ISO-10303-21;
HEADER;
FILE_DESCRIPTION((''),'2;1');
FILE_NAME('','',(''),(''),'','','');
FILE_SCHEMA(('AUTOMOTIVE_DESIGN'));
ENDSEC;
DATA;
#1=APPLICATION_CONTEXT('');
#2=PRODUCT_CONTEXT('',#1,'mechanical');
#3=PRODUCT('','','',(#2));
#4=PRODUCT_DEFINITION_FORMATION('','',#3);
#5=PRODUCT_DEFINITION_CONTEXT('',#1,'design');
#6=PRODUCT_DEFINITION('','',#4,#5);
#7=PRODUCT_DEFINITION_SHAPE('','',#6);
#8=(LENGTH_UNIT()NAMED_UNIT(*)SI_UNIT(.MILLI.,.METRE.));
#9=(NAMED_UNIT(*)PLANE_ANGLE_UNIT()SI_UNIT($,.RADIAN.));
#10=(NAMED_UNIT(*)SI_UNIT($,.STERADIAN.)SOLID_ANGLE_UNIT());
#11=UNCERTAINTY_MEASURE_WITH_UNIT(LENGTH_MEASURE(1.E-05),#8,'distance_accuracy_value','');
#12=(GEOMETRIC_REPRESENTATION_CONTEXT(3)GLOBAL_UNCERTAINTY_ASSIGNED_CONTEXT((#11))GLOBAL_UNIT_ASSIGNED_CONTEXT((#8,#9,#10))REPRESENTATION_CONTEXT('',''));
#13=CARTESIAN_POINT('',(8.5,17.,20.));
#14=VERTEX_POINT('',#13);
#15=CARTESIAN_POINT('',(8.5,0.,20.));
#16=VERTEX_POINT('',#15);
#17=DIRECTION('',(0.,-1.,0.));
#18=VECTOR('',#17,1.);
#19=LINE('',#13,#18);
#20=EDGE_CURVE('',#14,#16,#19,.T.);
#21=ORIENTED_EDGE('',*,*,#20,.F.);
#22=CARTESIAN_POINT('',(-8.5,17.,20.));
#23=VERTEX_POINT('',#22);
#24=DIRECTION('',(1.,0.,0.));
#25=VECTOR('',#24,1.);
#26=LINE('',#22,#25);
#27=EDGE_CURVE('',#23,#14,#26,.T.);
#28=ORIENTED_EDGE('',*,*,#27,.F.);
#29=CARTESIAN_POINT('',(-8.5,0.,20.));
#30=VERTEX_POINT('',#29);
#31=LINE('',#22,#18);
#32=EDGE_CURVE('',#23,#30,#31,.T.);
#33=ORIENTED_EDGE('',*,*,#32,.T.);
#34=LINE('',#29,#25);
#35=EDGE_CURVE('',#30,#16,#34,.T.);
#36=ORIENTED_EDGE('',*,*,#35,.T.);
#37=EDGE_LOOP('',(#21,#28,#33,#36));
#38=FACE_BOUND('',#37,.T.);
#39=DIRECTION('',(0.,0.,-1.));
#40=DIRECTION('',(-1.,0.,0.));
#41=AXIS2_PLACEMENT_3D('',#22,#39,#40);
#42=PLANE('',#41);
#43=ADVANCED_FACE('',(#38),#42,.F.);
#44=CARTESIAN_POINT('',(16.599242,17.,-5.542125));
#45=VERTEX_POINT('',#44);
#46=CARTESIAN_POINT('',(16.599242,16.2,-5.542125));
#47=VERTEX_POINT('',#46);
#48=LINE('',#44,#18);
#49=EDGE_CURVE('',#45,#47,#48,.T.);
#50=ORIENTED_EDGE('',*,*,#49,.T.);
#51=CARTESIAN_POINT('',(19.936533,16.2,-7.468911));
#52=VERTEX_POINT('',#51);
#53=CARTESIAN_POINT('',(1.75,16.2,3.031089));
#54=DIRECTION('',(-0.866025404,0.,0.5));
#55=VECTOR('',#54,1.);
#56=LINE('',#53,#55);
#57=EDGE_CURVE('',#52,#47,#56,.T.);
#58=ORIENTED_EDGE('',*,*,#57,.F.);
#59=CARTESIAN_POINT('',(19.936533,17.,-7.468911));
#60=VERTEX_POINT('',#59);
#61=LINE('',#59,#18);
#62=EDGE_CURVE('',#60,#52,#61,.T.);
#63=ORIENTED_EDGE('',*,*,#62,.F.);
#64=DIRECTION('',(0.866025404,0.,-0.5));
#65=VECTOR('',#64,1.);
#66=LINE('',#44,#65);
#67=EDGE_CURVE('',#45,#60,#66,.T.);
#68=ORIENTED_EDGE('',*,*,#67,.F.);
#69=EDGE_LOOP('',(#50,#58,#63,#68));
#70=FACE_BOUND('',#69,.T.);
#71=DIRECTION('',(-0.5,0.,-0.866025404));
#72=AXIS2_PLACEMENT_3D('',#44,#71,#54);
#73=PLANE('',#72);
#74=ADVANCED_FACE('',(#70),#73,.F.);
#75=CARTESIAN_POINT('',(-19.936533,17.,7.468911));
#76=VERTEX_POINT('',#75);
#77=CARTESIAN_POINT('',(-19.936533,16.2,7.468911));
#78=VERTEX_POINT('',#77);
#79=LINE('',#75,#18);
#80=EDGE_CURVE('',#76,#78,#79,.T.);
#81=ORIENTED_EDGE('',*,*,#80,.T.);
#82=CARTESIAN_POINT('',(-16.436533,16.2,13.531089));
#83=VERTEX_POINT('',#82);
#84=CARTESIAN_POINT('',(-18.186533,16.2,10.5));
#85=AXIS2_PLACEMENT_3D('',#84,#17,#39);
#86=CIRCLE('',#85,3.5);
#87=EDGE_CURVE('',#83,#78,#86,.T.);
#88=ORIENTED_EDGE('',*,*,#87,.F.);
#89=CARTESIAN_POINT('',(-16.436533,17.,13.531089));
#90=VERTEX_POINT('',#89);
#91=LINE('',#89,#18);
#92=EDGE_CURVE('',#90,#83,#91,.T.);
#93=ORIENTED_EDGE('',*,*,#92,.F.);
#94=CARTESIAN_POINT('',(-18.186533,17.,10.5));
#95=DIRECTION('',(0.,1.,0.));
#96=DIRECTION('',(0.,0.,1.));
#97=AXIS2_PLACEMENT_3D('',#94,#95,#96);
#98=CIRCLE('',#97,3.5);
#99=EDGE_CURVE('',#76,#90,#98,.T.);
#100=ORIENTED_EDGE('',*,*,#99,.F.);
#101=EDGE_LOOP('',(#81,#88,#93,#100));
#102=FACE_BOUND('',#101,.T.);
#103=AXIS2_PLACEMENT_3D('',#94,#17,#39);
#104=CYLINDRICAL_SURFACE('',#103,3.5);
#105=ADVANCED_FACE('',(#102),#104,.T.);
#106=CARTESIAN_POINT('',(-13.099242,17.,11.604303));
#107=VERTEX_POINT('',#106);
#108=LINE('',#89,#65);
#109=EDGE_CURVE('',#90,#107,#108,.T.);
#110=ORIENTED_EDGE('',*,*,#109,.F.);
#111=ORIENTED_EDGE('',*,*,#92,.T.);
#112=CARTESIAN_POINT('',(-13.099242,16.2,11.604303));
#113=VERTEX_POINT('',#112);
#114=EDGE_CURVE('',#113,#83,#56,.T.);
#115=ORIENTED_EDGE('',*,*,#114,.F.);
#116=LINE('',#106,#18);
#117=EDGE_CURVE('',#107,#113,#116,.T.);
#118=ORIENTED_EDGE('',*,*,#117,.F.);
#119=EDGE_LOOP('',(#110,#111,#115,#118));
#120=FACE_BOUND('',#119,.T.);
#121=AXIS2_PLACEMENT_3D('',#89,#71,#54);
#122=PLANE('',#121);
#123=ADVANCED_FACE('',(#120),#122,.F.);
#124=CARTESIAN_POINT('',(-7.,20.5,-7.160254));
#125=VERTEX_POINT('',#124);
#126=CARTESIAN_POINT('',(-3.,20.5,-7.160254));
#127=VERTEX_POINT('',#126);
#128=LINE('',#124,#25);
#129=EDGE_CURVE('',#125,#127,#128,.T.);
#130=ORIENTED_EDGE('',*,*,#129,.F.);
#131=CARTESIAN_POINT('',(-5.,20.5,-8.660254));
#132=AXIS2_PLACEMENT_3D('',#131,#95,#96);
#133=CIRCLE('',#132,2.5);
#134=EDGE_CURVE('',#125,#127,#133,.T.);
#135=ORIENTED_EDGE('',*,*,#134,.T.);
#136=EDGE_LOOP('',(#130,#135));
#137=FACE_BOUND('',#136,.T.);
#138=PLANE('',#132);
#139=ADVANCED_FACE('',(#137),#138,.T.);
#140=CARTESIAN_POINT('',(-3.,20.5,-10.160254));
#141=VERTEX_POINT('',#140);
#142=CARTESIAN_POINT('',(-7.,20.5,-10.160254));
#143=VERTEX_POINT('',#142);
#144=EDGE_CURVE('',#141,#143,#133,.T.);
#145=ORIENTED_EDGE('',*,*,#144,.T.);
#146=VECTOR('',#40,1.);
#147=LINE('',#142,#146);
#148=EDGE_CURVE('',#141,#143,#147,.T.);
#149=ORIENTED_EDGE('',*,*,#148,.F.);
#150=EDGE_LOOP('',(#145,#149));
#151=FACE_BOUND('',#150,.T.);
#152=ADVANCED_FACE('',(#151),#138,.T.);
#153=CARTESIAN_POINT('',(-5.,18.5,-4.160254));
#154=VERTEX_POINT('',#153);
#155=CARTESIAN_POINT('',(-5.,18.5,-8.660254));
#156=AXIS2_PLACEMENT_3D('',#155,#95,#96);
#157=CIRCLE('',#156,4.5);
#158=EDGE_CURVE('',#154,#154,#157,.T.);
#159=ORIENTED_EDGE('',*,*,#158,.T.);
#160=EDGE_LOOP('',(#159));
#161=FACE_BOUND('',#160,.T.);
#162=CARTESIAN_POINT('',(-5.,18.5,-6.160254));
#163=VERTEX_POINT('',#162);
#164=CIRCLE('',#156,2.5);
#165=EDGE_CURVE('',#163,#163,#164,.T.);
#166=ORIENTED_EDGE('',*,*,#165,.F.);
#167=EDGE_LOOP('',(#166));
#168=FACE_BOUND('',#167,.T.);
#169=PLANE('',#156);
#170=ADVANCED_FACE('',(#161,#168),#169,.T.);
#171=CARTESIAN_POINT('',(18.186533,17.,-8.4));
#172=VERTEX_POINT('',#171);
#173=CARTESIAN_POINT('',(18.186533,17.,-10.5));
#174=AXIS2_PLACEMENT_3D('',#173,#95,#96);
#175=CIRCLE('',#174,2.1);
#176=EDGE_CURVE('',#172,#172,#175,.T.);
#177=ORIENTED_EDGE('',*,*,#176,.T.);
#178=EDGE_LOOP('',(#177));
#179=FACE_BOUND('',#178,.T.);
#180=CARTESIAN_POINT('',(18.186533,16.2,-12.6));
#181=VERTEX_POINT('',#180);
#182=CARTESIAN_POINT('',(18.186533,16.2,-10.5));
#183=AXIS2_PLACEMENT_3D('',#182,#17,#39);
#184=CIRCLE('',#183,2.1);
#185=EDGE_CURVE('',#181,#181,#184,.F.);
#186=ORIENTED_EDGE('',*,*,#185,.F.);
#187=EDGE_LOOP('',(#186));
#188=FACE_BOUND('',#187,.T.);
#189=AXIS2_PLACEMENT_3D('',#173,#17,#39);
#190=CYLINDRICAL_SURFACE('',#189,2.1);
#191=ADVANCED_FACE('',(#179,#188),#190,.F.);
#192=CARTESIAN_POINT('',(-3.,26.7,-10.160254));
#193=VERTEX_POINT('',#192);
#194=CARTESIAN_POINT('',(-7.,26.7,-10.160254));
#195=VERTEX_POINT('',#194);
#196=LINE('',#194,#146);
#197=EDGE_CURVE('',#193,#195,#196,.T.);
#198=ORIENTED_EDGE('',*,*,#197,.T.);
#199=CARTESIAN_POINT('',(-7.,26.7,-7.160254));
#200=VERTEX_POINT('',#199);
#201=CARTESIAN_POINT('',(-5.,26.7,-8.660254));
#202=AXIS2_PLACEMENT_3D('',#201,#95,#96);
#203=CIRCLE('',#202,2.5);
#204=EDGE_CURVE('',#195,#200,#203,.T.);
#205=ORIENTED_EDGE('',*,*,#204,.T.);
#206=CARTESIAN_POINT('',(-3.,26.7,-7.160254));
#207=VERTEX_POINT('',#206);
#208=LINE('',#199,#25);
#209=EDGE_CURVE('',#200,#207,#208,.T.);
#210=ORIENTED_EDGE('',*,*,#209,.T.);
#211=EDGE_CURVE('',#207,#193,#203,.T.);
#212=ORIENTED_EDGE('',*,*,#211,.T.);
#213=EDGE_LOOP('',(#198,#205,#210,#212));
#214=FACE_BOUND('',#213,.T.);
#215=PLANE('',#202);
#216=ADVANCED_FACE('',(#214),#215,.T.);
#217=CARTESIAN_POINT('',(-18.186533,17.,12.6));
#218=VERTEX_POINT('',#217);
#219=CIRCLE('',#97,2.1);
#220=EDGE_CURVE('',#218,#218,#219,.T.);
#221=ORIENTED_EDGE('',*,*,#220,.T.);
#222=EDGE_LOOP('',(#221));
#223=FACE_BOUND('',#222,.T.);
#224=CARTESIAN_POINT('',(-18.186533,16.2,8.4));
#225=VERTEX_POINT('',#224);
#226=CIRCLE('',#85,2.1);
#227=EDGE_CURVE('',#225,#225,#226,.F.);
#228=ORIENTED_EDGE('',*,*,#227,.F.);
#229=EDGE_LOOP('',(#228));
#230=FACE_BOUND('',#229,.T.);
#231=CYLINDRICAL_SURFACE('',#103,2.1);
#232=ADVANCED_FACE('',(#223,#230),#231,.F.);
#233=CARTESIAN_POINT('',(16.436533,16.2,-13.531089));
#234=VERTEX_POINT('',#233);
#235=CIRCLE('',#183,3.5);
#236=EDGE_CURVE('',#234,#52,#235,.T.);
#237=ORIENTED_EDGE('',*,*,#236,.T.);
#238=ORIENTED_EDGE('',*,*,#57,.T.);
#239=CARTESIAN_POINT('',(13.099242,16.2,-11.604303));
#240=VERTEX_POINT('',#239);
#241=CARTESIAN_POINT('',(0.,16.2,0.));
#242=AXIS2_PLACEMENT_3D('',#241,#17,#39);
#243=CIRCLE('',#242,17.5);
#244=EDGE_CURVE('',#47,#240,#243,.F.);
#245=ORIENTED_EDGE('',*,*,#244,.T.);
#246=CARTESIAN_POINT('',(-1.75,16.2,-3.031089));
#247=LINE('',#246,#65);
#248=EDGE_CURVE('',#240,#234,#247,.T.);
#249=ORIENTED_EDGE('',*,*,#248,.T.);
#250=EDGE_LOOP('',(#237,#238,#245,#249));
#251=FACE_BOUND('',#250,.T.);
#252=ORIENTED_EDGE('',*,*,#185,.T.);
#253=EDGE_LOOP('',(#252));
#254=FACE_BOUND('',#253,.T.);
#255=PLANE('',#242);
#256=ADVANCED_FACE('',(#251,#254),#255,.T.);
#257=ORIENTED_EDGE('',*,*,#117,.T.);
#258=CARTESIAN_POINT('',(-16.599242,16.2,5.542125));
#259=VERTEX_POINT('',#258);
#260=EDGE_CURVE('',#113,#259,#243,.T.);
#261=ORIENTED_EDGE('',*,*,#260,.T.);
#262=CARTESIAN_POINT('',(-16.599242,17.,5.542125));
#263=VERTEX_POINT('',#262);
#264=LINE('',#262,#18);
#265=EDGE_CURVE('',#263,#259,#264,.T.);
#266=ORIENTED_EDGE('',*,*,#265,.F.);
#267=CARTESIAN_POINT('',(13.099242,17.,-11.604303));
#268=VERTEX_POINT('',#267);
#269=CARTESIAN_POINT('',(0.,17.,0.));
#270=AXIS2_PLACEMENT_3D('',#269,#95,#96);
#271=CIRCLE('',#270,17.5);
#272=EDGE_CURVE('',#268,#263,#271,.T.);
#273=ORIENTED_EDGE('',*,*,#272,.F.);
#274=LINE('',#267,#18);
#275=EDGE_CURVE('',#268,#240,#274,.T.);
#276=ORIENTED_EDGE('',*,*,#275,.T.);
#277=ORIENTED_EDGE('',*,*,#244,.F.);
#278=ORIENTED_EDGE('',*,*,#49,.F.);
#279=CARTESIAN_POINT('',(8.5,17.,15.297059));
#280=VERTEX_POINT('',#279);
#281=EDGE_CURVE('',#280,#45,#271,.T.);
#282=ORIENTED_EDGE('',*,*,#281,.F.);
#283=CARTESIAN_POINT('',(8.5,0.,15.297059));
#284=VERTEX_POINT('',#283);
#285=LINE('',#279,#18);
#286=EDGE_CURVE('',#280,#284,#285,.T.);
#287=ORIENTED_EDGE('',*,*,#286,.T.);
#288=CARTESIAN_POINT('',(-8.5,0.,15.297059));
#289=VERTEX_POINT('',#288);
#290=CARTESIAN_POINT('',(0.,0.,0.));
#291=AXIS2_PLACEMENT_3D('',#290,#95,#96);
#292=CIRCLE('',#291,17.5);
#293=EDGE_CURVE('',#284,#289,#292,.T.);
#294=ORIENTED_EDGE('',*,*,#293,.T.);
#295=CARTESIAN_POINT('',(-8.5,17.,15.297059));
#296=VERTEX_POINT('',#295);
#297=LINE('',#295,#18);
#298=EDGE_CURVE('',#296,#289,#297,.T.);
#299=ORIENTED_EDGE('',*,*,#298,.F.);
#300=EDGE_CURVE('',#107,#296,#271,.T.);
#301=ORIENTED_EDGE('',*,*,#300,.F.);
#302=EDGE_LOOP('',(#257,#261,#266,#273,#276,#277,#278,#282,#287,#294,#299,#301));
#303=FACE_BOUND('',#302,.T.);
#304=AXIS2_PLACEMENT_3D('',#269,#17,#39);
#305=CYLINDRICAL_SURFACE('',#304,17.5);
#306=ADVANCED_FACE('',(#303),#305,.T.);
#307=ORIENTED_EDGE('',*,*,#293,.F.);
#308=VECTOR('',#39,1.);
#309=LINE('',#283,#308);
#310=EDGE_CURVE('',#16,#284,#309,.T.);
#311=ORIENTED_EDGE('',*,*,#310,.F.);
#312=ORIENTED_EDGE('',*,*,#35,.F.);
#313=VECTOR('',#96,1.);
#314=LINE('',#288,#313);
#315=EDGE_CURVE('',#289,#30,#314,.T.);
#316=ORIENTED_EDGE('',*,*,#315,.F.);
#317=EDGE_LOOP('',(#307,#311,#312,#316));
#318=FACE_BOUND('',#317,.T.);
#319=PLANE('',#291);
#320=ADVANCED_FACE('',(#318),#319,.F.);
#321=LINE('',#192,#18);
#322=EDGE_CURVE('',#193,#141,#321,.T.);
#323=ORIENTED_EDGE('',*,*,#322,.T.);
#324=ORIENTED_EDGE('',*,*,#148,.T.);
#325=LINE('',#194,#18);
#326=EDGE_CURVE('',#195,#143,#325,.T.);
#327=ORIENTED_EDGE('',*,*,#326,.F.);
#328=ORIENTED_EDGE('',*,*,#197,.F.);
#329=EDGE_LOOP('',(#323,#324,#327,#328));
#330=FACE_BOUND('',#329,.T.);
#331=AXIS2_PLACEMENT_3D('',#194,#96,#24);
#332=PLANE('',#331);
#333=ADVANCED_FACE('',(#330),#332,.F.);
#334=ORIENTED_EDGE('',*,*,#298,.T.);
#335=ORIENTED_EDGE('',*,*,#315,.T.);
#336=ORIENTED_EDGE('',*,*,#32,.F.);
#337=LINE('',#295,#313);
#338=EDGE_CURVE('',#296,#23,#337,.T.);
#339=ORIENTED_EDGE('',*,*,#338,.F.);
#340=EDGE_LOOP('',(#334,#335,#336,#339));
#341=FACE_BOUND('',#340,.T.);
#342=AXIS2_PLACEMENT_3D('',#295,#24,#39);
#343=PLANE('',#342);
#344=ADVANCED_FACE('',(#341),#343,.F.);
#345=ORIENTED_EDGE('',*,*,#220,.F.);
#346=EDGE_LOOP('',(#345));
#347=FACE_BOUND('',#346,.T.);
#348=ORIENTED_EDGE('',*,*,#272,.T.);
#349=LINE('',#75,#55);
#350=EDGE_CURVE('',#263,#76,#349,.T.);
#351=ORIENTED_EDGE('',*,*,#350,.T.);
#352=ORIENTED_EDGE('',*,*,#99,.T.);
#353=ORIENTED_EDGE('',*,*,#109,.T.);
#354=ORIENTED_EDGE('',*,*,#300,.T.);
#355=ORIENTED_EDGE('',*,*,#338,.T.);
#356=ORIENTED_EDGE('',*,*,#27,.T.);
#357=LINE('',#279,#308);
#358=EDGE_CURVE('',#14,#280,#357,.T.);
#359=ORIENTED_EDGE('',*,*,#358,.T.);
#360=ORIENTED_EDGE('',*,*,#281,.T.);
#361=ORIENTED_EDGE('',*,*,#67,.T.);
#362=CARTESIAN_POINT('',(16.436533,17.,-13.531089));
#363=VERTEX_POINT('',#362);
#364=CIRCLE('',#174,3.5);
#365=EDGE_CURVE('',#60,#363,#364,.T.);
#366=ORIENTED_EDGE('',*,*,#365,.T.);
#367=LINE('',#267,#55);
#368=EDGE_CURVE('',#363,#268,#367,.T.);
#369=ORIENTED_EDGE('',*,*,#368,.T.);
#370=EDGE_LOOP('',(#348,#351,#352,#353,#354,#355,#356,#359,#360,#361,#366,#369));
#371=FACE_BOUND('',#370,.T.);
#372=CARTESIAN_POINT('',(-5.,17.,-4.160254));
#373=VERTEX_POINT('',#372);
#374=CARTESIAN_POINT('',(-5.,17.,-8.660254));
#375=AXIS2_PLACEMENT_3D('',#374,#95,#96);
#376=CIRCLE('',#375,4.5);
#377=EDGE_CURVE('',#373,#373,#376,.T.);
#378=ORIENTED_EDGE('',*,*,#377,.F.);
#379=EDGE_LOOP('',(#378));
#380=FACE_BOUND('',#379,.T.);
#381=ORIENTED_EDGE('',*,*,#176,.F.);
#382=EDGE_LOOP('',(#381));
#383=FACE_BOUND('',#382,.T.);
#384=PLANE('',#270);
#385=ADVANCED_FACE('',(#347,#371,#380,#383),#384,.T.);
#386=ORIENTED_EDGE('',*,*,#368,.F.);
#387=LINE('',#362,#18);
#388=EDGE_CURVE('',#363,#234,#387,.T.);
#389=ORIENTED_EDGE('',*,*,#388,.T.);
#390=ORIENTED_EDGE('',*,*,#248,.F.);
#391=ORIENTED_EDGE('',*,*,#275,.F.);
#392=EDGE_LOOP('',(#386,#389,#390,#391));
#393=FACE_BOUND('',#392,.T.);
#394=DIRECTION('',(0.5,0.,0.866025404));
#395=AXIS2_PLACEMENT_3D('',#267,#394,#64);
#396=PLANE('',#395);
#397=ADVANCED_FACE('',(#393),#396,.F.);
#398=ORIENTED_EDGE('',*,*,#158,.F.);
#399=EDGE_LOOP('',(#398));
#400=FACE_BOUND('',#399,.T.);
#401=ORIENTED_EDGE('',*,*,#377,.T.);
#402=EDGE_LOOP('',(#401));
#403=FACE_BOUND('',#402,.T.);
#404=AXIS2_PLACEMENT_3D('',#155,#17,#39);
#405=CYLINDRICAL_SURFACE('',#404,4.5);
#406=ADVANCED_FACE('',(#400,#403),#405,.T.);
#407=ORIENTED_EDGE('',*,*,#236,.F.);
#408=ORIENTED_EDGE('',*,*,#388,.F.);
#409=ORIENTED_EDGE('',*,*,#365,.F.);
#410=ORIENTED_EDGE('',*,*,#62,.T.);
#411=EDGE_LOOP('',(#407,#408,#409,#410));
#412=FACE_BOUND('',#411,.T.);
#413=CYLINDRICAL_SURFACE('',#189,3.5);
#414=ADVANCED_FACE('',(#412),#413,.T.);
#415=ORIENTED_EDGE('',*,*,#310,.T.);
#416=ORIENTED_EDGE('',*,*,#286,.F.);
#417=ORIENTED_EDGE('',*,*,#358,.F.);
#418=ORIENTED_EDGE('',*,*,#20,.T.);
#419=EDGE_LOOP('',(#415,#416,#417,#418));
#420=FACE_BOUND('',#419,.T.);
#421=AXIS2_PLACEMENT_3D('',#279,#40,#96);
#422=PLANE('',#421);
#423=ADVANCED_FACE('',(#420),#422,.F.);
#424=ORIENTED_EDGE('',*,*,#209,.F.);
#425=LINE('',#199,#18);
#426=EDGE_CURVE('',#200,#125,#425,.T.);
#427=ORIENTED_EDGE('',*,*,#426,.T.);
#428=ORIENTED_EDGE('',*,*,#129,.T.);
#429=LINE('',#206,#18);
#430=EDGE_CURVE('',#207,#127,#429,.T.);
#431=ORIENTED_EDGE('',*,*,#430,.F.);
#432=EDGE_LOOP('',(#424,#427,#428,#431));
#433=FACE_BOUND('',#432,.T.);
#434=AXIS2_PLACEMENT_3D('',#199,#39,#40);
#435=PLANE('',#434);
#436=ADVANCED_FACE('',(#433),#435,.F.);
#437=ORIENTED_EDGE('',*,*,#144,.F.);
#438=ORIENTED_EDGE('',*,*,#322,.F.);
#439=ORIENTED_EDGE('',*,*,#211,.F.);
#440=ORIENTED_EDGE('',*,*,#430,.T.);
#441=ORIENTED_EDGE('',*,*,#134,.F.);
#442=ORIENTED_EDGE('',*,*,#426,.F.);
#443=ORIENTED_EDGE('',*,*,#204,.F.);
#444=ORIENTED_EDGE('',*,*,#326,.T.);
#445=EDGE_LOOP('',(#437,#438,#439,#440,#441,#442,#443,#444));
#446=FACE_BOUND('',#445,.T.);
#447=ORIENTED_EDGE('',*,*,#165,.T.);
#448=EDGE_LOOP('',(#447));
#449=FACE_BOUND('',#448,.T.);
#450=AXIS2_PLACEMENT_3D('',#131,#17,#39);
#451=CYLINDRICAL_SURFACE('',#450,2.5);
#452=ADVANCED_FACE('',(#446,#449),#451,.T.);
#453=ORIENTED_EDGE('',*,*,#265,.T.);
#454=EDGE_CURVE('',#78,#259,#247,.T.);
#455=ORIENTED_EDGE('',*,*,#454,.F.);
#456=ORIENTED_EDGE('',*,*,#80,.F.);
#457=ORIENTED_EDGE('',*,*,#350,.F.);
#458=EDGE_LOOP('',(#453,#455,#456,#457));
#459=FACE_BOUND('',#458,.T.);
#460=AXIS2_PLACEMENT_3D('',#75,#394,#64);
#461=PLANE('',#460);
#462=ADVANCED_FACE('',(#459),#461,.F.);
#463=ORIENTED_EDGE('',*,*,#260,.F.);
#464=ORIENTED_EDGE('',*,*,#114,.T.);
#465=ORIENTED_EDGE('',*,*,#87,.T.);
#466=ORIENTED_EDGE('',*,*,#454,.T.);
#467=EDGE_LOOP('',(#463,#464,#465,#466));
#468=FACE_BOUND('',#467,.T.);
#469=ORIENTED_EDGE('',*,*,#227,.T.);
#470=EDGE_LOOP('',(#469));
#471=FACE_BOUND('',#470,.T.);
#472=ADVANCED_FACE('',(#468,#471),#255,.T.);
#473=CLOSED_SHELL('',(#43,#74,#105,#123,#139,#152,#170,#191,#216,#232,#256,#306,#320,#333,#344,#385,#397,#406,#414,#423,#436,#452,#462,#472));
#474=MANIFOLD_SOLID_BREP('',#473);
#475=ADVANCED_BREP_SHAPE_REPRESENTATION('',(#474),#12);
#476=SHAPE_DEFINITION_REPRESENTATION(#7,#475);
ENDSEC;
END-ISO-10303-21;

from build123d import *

# Parameters (mm, degrees)
SKETCH1_R           = 2.1
BOSS_EXTRUDE2_DEPTH = 17
SKETCH4_R           = 4.5
BOSS_EXTRUDE3_DEPTH = 1.5
SKETCH5_R           = 2.5
BOSS_EXTRUDE4_DEPTH = 2
SKETCH8_R           = 2.1
CUT_EXTRUDE1_DEPTH  = 16.2
BOSS_EXTRUDE6_DEPTH = 6.2


with BuildPart() as part:
    # Sketch1 → Boss-Extrude2 (new body)
    with BuildSketch(Plane(origin=(0, 0, 0), x_dir=(1, 0, 0), z_dir=(0, 1, 0))):
        with BuildLine():
            Line((-8.5, -20), (8.5, -20))
            Line((8.5, -20), (8.5, -15.297058541))
            ThreePointArc((8.5, -15.297058541), (16.311372932, -6.339488392), (16.599242405, 5.542125186))
            Line((16.599242405, 5.542125186), (19.936533479, 7.468911087))
            ThreePointArc((19.936533479, 7.468911087), (21.217622393, 12.25), (16.436533479, 13.531088913))
            Line((16.436533479, 13.531088913), (13.099242405, 11.604303013))
            ThreePointArc((13.099242405, 11.604303013), (-8.75, 15.155444566), (-16.599242405, -5.542125186))
            Line((-16.599242405, -5.542125186), (-19.936533479, -7.468911087))
            ThreePointArc((-19.936533479, -7.468911087), (-21.217622393, -12.25), (-16.436533479, -13.531088913))
            Line((-16.436533479, -13.531088913), (-13.099242405, -11.604303013))
            ThreePointArc((-13.099242405, -11.604303013), (-10.956319134, -13.64584446), (-8.5, -15.297058541))
            Line((-8.5, -15.297058541), (-8.5, -20))
        make_face()
        with Locations((-18.186533479, -10.5)):
            Circle(SKETCH1_R, mode=Mode.SUBTRACT)
        with Locations((18.186533479, 10.5)):
            Circle(SKETCH1_R, mode=Mode.SUBTRACT)
    extrude(amount=BOSS_EXTRUDE2_DEPTH)

    # Sketch4 → Boss-Extrude3 (add)
    with BuildSketch(Plane(origin=(0, 17, 0), x_dir=(1, 0, 0), z_dir=(0, 1, 0))):
        with Locations((-5, 8.660254038)):
            Circle(SKETCH4_R)
    extrude(amount=BOSS_EXTRUDE3_DEPTH)

    # Sketch5 → Boss-Extrude4 (add)
    with BuildSketch(Plane(origin=(0, 18.5, 0), x_dir=(1, 0, 0), z_dir=(0, 1, 0))):
        with Locations((-5, 8.660254038)):
            Circle(SKETCH5_R)
    extrude(amount=BOSS_EXTRUDE4_DEPTH)

    # Sketch8 → Cut-Extrude1 (cut)
    with BuildSketch(Plane.XZ):
        with BuildLine():
            ThreePointArc((16.599242405, -5.542125186), (15.155444566, -8.75), (13.099242405, -11.604303013))
            Line((13.099242405, -11.604303013), (16.436533479, -13.531088913))
            ThreePointArc((16.436533479, -13.531088913), (21.217622393, -12.25), (19.936533479, -7.468911087))
            Line((19.936533479, -7.468911087), (16.599242405, -5.542125186))
        make_face()
        with Locations((18.186533479, -10.5)):
            Circle(SKETCH8_R, mode=Mode.SUBTRACT)
        with BuildLine():
            ThreePointArc((-13.099242405, 11.604303013), (-15.155444566, 8.75), (-16.599242405, 5.542125186))
            Line((-16.599242405, 5.542125186), (-19.936533479, 7.468911087))
            ThreePointArc((-19.936533479, 7.468911087), (-21.217622393, 12.25), (-16.436533479, 13.531088913))
            Line((-16.436533479, 13.531088913), (-13.099242405, 11.604303013))
        make_face()
        with Locations((-18.186533479, 10.5)):
            Circle(SKETCH8_R, mode=Mode.SUBTRACT)
    extrude(amount=-CUT_EXTRUDE1_DEPTH, mode=Mode.SUBTRACT)

    # Sketch9 → Boss-Extrude6 (add)
    with BuildSketch(Plane(origin=(0, 20.5, 0), x_dir=(1, 0, 0), z_dir=(0, 1, 0))):
        with BuildLine():
            Line((-7, 7.160254038), (-3, 7.160254038))
            ThreePointArc((-3, 7.160254038), (-2.5, 8.660254038), (-3, 10.160254038))
            Line((-3, 10.160254038), (-7, 10.160254038))
            ThreePointArc((-7, 10.160254038), (-7.5, 8.660254038), (-7, 7.160254038))
        make_face()
    extrude(amount=BOSS_EXTRUDE6_DEPTH)


solid = part.part
